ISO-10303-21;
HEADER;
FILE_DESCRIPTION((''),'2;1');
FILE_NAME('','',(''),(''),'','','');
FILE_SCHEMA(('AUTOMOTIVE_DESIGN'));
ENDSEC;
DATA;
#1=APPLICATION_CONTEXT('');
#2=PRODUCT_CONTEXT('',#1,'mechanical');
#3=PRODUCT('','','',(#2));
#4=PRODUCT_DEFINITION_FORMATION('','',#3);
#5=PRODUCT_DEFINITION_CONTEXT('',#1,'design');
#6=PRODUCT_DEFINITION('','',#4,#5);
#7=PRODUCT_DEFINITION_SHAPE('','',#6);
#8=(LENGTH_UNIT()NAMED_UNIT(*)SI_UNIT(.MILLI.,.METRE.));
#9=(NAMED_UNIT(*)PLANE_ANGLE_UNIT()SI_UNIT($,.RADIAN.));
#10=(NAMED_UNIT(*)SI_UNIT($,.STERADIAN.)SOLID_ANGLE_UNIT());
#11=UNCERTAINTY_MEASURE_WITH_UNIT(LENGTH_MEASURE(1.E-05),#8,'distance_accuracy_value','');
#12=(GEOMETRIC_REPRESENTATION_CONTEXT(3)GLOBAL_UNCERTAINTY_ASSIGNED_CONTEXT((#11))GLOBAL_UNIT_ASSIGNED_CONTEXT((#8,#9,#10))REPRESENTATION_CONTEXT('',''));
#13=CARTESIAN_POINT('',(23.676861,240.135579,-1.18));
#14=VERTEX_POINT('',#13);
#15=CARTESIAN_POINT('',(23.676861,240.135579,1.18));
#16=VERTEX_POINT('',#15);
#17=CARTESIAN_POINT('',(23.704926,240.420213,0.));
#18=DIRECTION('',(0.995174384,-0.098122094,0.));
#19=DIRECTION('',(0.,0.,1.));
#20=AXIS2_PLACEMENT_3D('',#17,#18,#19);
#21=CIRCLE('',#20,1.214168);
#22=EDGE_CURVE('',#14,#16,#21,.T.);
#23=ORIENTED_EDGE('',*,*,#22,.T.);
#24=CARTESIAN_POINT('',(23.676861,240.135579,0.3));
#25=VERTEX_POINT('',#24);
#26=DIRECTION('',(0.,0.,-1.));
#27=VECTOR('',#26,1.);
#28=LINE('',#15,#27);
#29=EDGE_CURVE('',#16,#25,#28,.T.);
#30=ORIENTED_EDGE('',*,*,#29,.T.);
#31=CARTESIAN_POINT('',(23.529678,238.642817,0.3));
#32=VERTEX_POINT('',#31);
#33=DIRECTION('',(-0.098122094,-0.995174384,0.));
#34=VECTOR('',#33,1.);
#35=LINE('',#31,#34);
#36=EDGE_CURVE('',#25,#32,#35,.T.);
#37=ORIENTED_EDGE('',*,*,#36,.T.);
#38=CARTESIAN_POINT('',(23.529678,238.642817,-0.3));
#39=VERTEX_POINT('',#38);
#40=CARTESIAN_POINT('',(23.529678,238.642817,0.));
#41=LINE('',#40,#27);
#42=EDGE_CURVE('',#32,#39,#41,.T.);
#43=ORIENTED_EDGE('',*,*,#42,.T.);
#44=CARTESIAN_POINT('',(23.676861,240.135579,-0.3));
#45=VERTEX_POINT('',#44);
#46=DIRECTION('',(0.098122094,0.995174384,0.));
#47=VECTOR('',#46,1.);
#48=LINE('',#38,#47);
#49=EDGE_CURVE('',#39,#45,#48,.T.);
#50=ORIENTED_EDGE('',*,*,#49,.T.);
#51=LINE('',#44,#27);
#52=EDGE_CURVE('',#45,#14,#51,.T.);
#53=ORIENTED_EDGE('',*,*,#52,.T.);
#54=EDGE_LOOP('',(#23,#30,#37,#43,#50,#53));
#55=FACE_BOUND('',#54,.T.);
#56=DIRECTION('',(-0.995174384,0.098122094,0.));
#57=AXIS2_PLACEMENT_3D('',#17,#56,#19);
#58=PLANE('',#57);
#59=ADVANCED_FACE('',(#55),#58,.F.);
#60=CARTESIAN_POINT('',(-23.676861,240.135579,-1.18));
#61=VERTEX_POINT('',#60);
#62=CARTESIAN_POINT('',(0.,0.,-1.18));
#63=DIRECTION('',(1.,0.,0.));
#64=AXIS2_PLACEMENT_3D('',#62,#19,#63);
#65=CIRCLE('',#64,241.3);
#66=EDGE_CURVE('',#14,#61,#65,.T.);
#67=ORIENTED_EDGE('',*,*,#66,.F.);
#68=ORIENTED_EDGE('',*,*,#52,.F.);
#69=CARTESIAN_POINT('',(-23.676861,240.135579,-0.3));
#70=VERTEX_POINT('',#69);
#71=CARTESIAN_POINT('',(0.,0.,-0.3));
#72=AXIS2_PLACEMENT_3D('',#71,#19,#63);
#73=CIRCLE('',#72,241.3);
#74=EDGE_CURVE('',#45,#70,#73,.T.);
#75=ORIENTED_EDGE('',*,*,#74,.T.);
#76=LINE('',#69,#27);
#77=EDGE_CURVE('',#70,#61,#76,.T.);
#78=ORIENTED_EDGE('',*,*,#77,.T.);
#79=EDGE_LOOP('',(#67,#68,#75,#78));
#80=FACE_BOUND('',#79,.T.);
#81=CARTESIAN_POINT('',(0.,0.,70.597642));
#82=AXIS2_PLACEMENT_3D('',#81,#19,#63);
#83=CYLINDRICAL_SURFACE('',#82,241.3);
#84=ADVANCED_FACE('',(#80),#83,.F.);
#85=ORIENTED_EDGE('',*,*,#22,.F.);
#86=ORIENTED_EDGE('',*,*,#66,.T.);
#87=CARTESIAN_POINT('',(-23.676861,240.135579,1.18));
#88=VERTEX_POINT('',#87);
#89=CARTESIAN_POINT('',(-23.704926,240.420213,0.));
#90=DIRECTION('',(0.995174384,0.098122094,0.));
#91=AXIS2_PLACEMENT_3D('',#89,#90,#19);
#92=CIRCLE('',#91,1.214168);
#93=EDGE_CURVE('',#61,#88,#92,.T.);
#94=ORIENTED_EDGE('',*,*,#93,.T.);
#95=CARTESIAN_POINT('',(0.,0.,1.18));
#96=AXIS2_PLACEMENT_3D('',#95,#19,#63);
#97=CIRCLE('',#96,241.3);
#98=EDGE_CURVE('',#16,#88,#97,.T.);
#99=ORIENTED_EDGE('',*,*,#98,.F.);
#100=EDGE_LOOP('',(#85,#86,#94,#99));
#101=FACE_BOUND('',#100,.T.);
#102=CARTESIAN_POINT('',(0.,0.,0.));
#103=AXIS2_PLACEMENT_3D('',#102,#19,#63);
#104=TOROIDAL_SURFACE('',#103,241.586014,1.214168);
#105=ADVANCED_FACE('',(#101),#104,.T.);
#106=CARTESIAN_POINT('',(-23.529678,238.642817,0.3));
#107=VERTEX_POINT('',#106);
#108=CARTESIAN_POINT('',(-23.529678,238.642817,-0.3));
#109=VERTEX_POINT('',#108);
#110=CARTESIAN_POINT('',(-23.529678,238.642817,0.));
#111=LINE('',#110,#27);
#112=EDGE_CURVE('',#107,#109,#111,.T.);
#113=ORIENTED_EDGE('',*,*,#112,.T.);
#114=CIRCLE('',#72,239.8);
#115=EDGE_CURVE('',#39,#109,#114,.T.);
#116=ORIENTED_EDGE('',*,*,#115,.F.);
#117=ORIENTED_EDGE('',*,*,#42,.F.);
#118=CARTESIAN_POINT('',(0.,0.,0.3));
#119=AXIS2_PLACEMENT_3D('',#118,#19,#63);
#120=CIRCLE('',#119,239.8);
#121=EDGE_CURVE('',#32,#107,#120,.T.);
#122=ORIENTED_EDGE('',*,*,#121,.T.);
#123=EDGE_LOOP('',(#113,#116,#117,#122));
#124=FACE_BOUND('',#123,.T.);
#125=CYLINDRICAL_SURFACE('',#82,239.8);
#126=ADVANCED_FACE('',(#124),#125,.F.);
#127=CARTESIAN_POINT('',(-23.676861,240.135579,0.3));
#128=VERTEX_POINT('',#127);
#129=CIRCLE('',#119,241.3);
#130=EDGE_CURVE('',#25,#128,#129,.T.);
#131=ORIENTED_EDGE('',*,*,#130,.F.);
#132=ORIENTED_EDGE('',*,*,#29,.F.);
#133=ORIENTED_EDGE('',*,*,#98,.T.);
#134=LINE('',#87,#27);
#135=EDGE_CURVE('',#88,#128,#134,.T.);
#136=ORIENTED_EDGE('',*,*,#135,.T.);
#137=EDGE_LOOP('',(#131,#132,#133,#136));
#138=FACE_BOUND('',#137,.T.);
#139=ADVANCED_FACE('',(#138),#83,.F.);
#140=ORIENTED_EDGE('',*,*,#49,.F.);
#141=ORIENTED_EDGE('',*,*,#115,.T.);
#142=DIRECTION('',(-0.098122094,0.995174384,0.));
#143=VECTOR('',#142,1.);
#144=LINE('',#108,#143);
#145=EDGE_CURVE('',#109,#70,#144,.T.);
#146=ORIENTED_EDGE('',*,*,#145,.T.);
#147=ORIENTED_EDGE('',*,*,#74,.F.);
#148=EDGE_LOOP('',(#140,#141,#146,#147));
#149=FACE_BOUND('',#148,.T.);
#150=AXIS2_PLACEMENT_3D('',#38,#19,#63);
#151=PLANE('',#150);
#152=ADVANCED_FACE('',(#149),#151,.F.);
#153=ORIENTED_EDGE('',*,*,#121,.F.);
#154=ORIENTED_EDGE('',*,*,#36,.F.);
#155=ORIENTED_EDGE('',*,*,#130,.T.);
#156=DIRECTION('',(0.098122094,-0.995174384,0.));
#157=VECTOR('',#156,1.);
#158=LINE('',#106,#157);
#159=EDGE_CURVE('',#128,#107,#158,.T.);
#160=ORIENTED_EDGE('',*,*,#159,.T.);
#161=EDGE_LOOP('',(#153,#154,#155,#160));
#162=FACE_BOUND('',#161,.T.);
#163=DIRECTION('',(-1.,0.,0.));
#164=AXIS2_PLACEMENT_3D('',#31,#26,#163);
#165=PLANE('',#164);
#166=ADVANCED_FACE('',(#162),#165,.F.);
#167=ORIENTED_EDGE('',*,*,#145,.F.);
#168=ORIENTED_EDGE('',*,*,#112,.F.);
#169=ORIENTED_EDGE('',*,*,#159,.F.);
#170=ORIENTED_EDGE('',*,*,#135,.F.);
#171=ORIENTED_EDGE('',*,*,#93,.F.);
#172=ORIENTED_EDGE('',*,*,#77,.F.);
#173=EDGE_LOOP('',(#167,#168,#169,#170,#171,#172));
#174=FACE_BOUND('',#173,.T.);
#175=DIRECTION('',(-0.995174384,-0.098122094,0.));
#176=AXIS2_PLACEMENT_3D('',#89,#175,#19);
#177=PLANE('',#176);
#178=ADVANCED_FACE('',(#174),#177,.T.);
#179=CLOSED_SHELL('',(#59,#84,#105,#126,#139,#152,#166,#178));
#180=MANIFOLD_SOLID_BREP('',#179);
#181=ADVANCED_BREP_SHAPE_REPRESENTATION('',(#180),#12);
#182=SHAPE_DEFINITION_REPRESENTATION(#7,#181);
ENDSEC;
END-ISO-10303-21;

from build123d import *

# Parameters (mm, degrees)
REVOLVE1_ANGLE           = 5.631042515
REVOLVE1_OTHER_WAY_ANGLE = 5.631042515


with BuildPart() as part:
    # Sketch2 → Revolve1 (revolve)
    with BuildSketch(Plane(origin=(0, 0, 0), x_dir=(0, 0, -1), z_dir=(1, 0, 0))):
        with BuildLine():
            Line((0, 239.8), (0.3, 239.8))
            Line((0.3, 239.8), (0.3, 241.3))
            Line((0.3, 241.3), (1.18, 241.3))
            ThreePointArc((1.18, 241.3), (0, 242.800182019), (-1.18, 241.3))
            Line((-1.18, 241.3), (-0.3, 241.3))
            Line((-0.3, 241.3), (-0.3, 239.8))
            Line((-0.3, 239.8), (0, 239.8))
        make_face()
    revolve(axis=Axis((0, 0, 70.597641597), (0, 0, -1)), revolution_arc=REVOLVE1_ANGLE)

    # Sketch2 → Revolve1 other way (revolve)
    with BuildSketch(Plane(origin=(0, 0, 0), x_dir=(0, 0, -1), z_dir=(1, 0, 0))):
        with BuildLine():
            Line((0, 239.8), (0.3, 239.8))
            Line((0.3, 239.8), (0.3, 241.3))
            Line((0.3, 241.3), (1.18, 241.3))
            ThreePointArc((1.18, 241.3), (0, 242.800182019), (-1.18, 241.3))
            Line((-1.18, 241.3), (-0.3, 241.3))
            Line((-0.3, 241.3), (-0.3, 239.8))
            Line((-0.3, 239.8), (0, 239.8))
        make_face()
    revolve(axis=Axis((0, 0, 70.597641597), (0, 0, 1)), revolution_arc=REVOLVE1_OTHER_WAY_ANGLE)


solid = part.part
